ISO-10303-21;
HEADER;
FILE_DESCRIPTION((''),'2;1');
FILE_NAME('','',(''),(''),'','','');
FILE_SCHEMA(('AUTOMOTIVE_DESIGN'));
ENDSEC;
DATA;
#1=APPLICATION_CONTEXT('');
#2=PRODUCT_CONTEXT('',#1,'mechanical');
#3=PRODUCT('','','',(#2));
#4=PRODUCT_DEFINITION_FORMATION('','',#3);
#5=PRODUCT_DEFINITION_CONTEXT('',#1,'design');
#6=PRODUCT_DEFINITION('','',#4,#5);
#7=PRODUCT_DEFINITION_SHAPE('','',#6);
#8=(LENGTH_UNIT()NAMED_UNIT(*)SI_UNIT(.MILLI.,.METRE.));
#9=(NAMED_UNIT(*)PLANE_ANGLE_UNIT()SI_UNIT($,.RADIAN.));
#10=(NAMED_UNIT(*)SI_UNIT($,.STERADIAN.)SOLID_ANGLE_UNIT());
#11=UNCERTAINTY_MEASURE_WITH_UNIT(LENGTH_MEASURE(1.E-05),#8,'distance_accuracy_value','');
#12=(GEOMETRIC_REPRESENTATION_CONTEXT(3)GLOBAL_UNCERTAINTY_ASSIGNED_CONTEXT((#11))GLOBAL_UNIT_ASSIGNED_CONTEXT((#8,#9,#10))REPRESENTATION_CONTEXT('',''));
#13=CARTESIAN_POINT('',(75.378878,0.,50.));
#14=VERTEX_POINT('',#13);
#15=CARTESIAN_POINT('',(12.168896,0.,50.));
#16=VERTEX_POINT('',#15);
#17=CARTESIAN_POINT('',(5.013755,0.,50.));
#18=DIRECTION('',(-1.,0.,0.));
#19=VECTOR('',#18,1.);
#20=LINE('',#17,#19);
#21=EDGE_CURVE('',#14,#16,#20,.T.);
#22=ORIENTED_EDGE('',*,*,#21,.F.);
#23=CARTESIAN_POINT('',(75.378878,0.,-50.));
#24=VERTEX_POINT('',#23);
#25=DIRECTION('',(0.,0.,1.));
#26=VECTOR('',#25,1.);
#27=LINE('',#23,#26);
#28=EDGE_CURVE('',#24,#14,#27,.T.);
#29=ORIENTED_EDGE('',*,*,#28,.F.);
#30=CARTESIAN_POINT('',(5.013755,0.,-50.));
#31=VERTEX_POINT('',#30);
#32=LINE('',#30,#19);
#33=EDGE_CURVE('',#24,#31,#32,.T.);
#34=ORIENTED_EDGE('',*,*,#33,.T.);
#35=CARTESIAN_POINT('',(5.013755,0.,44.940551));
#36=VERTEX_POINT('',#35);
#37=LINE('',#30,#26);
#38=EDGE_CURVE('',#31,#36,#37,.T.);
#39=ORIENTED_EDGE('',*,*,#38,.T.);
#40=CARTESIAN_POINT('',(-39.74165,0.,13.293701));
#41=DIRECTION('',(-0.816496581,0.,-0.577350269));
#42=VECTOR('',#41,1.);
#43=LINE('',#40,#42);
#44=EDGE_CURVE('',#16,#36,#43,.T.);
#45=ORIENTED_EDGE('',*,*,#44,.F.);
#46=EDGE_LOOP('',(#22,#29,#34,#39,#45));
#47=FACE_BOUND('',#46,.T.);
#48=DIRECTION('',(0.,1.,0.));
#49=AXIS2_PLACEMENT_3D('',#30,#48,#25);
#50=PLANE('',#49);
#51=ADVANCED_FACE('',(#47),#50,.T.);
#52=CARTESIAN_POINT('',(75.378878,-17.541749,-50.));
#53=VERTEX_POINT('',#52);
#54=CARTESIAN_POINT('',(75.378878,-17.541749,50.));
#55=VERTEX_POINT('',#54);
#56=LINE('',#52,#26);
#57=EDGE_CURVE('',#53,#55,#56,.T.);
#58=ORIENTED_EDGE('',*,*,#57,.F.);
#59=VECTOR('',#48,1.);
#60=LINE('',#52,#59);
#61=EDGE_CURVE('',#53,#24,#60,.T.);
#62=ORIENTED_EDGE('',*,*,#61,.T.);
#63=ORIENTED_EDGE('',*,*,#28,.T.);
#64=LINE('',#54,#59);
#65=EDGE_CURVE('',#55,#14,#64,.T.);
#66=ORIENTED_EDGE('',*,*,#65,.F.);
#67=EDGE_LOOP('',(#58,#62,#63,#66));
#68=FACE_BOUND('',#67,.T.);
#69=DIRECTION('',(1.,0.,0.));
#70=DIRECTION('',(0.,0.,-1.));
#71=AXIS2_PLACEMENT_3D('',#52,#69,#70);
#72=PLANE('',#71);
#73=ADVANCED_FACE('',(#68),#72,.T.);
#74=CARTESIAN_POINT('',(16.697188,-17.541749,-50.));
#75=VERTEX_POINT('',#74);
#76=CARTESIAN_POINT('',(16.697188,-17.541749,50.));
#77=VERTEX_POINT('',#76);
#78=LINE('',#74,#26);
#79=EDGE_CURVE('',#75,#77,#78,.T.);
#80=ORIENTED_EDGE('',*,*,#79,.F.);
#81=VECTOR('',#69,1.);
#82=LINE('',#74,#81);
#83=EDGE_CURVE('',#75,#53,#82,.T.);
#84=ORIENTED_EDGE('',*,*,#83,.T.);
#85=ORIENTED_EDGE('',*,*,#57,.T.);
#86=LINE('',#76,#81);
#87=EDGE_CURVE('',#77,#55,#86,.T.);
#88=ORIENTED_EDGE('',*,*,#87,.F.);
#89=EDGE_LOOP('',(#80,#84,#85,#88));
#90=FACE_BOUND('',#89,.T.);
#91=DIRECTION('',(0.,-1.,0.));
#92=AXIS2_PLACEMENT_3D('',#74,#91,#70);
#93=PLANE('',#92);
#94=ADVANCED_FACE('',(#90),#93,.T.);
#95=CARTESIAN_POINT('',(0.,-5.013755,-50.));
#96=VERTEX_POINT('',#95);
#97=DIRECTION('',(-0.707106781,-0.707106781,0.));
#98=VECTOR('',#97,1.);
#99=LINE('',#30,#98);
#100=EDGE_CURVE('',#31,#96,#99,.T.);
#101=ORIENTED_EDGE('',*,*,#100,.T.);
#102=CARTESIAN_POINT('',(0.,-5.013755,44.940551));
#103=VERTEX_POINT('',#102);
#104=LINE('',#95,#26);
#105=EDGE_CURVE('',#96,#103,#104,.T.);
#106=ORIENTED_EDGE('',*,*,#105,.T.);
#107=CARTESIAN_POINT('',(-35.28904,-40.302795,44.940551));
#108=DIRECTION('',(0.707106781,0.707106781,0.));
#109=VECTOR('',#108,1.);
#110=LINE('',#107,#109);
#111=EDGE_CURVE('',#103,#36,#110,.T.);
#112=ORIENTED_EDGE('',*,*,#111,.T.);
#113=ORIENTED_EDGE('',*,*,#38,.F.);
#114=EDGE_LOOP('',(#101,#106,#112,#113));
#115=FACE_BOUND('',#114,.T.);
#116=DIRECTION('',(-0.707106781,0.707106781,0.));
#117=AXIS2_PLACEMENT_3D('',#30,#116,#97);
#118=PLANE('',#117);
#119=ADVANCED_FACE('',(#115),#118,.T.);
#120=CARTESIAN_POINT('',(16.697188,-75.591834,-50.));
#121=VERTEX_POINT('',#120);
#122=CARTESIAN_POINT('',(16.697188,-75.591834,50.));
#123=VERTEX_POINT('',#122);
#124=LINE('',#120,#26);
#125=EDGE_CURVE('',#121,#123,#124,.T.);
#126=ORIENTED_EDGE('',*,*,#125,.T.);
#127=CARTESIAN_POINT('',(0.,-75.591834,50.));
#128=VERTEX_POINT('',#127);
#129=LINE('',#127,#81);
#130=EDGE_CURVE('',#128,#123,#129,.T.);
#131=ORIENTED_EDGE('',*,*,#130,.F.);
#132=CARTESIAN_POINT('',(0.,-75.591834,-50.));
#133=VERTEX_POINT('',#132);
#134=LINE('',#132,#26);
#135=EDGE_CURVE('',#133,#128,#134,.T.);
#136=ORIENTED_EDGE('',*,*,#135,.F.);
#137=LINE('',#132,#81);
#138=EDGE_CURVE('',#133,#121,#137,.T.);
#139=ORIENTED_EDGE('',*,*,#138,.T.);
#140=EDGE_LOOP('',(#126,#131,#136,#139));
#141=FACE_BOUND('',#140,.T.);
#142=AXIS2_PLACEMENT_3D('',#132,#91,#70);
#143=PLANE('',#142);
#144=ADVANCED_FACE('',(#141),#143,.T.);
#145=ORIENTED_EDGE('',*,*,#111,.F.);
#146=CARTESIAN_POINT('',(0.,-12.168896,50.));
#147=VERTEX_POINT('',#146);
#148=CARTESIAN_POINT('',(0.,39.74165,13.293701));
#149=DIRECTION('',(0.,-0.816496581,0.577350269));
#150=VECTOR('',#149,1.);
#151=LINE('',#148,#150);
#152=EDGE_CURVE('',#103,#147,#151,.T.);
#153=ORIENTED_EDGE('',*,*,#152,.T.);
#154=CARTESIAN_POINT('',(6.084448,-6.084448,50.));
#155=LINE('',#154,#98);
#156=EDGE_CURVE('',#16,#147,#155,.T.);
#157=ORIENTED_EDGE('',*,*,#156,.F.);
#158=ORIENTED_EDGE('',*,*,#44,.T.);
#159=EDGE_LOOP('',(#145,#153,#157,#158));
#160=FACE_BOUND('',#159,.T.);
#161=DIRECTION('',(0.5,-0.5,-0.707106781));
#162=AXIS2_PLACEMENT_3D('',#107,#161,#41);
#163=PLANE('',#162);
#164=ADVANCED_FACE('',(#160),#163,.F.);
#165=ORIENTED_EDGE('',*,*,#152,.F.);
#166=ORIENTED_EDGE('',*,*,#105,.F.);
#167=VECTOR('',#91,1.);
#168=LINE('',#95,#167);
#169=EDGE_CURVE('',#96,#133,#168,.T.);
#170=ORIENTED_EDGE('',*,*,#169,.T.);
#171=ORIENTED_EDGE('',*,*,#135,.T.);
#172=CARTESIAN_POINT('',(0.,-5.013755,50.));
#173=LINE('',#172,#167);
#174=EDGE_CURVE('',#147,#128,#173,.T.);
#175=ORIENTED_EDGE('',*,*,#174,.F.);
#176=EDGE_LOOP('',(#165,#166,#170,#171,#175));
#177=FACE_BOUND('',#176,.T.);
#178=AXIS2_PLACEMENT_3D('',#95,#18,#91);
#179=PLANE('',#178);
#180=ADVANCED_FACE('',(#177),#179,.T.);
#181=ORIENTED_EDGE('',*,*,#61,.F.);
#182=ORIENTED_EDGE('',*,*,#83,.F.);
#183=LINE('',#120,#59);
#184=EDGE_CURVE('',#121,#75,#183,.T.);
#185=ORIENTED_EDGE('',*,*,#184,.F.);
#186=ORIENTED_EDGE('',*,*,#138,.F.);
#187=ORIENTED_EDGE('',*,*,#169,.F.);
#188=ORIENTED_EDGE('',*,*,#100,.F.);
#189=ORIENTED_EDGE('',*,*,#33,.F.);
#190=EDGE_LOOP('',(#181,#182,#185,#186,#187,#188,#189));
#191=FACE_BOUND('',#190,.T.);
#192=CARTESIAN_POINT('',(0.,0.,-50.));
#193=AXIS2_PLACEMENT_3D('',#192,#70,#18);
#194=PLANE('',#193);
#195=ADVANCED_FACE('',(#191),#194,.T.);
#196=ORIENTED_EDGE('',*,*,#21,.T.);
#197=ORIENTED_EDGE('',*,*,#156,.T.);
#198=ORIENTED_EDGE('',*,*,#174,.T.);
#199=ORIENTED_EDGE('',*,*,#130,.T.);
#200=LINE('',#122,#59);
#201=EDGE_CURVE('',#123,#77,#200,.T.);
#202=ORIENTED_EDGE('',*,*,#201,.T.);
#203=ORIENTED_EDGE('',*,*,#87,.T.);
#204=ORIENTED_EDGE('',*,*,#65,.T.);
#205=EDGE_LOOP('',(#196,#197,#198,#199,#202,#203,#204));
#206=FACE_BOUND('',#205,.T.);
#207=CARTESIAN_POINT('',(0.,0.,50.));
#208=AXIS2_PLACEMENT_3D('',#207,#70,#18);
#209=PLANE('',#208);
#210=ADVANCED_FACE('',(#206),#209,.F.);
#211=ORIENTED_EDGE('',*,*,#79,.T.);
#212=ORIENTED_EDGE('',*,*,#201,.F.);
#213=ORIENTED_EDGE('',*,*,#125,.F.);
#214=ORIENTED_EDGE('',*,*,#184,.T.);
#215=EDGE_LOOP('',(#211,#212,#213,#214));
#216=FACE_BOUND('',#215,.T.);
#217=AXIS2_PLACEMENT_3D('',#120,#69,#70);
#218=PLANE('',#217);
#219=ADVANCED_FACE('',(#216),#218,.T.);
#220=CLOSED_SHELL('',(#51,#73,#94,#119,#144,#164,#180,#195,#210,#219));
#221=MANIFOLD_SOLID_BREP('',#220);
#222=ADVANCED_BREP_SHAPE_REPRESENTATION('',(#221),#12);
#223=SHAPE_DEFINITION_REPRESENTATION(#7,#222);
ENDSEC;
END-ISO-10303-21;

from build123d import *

# Parameters (mm, degrees)
BOSS_EXTRUDE1_DEPTH     = 50
CUT_EXTRUDE2_DEPTH      = 118.930495595
CUT_EXTRUDE2_DEPTH_BACK = 118.930495595


with BuildPart() as part:
    # Sketch2 → Boss-Extrude1 (new, symmetric)
    with BuildSketch(Plane.XY):
        Polygon((5.01375486, 0), (75.378877849, 0), (75.378877849, -17.541748785), (16.697188205, -17.541748785), (16.697188205, -75.591834267), (0, -75.591834267), (0, -5.01375486), align=None)
    extrude(amount=BOSS_EXTRUDE1_DEPTH, both=True)

    # Sketch6 → Cut-Extrude2 (cut, two sides: drawn at the far end of the back side and taken through both)
    with BuildSketch(Plane(origin=(-2.50687743, -2.50687743, 0), x_dir=(0, 0, 1), z_dir=(0.7071067811865464, 0.7071067811865488, 0)).offset(-CUT_EXTRUDE2_DEPTH_BACK)):
        Polygon((44.940550834, 3.545260061), (50.113588722, 8.718297949), (50.113590784, 3.494380863), align=None)
    extrude(amount=CUT_EXTRUDE2_DEPTH + CUT_EXTRUDE2_DEPTH_BACK, mode=Mode.SUBTRACT)


solid = part.part
